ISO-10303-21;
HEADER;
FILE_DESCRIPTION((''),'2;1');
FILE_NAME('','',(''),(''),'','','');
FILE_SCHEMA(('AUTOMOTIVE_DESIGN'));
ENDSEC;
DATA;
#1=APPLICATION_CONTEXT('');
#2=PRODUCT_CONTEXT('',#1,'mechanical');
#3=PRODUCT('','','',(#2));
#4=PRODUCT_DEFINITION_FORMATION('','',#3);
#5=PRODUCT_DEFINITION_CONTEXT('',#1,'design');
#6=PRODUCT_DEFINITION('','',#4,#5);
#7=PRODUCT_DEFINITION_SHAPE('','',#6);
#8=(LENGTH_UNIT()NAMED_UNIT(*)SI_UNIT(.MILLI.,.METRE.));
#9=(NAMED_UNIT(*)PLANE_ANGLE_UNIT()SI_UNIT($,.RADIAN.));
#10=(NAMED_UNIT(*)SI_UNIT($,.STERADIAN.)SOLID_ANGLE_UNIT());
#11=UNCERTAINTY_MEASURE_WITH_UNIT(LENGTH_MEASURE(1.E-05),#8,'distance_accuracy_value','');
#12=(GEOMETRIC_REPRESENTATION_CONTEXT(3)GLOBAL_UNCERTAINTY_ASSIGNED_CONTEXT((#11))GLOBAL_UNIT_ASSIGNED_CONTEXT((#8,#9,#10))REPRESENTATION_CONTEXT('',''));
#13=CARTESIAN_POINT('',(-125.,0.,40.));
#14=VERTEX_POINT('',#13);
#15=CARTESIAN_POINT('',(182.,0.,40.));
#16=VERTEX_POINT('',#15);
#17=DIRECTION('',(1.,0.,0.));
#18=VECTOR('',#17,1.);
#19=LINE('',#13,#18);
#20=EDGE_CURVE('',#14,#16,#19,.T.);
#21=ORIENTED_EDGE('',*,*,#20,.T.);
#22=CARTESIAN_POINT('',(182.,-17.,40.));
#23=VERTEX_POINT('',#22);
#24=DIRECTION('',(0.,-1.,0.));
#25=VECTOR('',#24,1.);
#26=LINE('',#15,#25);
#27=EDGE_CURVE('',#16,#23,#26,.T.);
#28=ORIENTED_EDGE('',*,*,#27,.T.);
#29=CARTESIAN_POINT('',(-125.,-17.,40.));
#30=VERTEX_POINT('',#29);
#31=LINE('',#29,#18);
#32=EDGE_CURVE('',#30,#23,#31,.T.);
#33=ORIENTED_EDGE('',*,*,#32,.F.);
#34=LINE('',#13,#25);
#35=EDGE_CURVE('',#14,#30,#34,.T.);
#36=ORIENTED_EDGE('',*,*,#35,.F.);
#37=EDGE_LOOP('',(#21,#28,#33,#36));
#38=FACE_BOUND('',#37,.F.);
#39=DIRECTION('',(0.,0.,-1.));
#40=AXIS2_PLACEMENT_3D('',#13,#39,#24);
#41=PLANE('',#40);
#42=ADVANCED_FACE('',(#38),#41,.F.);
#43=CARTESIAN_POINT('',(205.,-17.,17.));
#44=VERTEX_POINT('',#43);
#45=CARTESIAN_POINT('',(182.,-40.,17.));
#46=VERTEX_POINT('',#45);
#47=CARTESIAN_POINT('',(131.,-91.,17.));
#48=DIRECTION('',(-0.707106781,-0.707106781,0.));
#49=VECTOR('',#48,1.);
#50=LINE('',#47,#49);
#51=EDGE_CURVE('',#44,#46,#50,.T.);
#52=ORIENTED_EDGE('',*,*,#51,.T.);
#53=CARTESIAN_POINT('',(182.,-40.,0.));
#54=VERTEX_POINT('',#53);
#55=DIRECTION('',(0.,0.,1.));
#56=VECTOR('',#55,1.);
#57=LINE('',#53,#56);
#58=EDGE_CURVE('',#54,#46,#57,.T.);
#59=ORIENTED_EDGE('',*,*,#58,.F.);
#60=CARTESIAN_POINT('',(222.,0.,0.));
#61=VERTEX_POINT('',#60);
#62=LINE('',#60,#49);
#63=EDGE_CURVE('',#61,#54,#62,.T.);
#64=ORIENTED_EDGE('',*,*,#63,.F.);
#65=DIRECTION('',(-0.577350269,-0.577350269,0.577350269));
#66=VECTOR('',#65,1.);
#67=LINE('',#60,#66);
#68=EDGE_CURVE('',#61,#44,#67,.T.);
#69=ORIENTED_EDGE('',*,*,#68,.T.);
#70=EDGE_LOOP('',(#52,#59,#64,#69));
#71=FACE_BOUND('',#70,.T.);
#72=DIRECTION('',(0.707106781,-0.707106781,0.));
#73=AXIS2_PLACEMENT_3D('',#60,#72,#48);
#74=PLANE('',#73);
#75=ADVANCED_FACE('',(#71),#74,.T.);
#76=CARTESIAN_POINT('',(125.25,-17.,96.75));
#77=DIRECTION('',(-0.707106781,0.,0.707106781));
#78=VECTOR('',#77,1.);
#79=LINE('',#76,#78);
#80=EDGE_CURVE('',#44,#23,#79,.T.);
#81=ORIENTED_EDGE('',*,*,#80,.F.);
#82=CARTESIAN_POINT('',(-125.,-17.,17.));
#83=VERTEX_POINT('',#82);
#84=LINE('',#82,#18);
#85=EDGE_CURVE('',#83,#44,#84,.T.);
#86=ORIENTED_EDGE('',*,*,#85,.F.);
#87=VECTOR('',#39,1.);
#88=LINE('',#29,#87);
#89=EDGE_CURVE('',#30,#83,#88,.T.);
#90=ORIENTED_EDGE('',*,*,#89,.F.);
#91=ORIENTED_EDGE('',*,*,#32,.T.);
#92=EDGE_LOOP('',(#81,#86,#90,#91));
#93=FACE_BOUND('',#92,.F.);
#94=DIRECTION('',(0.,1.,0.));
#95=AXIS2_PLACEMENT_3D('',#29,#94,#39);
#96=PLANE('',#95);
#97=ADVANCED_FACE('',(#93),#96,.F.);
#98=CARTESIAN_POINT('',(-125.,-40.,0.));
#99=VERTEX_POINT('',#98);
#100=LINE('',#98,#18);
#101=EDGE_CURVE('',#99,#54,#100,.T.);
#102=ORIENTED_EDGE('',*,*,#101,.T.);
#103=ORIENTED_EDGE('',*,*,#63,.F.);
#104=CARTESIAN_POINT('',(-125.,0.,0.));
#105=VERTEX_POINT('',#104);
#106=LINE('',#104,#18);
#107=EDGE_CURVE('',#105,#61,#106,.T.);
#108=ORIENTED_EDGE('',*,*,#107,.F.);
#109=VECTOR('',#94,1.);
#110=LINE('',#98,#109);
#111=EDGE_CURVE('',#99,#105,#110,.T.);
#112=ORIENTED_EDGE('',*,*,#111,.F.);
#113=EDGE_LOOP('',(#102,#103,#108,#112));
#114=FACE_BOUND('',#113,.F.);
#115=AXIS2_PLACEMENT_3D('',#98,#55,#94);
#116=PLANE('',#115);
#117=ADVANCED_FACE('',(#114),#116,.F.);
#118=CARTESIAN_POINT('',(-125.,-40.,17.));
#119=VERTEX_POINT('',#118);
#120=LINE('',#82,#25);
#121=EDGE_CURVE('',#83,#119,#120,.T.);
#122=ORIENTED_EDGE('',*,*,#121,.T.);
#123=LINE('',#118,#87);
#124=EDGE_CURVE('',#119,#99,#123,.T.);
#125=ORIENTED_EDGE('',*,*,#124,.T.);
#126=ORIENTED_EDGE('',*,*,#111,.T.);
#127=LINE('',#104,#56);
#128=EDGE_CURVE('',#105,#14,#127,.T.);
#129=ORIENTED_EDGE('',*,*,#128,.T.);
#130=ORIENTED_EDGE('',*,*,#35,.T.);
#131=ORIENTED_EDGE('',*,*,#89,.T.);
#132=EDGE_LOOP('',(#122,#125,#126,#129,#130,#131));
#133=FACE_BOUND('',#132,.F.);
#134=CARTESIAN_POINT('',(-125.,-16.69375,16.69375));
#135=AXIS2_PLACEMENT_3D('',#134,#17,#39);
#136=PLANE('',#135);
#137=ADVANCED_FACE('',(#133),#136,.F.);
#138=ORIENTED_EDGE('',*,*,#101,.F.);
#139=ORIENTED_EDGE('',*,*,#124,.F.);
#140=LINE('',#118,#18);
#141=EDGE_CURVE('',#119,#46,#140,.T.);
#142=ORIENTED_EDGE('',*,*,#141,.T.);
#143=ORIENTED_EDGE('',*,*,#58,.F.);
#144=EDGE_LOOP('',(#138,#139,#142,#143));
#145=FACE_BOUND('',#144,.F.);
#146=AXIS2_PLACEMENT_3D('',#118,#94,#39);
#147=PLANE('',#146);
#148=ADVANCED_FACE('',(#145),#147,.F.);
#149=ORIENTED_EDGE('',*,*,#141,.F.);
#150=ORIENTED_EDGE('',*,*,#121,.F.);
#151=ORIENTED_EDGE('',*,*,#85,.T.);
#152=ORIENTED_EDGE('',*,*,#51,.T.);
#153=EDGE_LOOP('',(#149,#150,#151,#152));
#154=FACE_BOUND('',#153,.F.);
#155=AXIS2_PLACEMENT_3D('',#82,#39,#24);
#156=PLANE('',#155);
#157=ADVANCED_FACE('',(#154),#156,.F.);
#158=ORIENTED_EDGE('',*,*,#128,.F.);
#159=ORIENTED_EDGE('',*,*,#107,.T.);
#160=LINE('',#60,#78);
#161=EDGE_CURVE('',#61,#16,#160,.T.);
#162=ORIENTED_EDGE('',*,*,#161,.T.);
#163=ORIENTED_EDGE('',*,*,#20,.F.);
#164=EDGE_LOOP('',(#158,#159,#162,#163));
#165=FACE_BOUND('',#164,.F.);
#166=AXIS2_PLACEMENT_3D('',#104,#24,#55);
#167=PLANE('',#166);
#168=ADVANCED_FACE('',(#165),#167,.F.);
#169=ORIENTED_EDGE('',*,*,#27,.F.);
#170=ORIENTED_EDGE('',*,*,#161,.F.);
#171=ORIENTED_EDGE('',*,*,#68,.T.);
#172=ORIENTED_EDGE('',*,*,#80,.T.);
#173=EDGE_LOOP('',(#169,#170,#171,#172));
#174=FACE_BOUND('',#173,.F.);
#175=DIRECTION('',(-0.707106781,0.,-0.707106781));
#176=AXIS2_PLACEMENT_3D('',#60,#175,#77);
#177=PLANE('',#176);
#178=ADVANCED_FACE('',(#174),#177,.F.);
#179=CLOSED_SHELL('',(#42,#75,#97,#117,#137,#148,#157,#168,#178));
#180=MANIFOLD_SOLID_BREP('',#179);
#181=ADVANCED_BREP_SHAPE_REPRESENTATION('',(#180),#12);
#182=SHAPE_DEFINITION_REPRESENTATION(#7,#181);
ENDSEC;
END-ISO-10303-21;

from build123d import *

# Parameters (mm, degrees)
BOSS_EXTRU_1_START      = -125
BOSS_EXTRU_1_DEPTH      = 347
ENL_V_MAT_EXTRU_1_DEPTH = 41
ENL_V_MAT_EXTRU_2_DEPTH = 41


with BuildPart() as part:
    # Esquisse1 → Boss.-Extru.1 (new body)
    with BuildSketch(Plane(origin=(0, 0, 0), x_dir=(0, 0, -1), z_dir=(1, 0, 0)).offset(BOSS_EXTRU_1_START)):
        Polygon((0, 0), (-40, 0), (-40, -17), (-17, -17), (-17, -40), (0, -40), align=None)
    extrude(amount=BOSS_EXTRU_1_DEPTH)

    # Esquisse2 → Enlèv. mat.-Extru.1 (cut, through all)
    with BuildSketch(Plane(origin=(0, 0, 0), x_dir=(1, 0, 0), z_dir=(0, 1, 0))):
        Polygon((222, 0), (182, -40), (222, -40), align=None)
    extrude(amount=-ENL_V_MAT_EXTRU_1_DEPTH, mode=Mode.SUBTRACT)

    # Esquisse3 → Enlèv. mat.-Extru.2 (cut, through all)
    with BuildSketch(Plane(origin=(0, 0, 0), x_dir=(-1, 0, 0), z_dir=(0, 0, -1))):
        Polygon((-222, 0), (-182, -40), (-222, -40), align=None)
    extrude(amount=-ENL_V_MAT_EXTRU_2_DEPTH, mode=Mode.SUBTRACT)


solid = part.part
